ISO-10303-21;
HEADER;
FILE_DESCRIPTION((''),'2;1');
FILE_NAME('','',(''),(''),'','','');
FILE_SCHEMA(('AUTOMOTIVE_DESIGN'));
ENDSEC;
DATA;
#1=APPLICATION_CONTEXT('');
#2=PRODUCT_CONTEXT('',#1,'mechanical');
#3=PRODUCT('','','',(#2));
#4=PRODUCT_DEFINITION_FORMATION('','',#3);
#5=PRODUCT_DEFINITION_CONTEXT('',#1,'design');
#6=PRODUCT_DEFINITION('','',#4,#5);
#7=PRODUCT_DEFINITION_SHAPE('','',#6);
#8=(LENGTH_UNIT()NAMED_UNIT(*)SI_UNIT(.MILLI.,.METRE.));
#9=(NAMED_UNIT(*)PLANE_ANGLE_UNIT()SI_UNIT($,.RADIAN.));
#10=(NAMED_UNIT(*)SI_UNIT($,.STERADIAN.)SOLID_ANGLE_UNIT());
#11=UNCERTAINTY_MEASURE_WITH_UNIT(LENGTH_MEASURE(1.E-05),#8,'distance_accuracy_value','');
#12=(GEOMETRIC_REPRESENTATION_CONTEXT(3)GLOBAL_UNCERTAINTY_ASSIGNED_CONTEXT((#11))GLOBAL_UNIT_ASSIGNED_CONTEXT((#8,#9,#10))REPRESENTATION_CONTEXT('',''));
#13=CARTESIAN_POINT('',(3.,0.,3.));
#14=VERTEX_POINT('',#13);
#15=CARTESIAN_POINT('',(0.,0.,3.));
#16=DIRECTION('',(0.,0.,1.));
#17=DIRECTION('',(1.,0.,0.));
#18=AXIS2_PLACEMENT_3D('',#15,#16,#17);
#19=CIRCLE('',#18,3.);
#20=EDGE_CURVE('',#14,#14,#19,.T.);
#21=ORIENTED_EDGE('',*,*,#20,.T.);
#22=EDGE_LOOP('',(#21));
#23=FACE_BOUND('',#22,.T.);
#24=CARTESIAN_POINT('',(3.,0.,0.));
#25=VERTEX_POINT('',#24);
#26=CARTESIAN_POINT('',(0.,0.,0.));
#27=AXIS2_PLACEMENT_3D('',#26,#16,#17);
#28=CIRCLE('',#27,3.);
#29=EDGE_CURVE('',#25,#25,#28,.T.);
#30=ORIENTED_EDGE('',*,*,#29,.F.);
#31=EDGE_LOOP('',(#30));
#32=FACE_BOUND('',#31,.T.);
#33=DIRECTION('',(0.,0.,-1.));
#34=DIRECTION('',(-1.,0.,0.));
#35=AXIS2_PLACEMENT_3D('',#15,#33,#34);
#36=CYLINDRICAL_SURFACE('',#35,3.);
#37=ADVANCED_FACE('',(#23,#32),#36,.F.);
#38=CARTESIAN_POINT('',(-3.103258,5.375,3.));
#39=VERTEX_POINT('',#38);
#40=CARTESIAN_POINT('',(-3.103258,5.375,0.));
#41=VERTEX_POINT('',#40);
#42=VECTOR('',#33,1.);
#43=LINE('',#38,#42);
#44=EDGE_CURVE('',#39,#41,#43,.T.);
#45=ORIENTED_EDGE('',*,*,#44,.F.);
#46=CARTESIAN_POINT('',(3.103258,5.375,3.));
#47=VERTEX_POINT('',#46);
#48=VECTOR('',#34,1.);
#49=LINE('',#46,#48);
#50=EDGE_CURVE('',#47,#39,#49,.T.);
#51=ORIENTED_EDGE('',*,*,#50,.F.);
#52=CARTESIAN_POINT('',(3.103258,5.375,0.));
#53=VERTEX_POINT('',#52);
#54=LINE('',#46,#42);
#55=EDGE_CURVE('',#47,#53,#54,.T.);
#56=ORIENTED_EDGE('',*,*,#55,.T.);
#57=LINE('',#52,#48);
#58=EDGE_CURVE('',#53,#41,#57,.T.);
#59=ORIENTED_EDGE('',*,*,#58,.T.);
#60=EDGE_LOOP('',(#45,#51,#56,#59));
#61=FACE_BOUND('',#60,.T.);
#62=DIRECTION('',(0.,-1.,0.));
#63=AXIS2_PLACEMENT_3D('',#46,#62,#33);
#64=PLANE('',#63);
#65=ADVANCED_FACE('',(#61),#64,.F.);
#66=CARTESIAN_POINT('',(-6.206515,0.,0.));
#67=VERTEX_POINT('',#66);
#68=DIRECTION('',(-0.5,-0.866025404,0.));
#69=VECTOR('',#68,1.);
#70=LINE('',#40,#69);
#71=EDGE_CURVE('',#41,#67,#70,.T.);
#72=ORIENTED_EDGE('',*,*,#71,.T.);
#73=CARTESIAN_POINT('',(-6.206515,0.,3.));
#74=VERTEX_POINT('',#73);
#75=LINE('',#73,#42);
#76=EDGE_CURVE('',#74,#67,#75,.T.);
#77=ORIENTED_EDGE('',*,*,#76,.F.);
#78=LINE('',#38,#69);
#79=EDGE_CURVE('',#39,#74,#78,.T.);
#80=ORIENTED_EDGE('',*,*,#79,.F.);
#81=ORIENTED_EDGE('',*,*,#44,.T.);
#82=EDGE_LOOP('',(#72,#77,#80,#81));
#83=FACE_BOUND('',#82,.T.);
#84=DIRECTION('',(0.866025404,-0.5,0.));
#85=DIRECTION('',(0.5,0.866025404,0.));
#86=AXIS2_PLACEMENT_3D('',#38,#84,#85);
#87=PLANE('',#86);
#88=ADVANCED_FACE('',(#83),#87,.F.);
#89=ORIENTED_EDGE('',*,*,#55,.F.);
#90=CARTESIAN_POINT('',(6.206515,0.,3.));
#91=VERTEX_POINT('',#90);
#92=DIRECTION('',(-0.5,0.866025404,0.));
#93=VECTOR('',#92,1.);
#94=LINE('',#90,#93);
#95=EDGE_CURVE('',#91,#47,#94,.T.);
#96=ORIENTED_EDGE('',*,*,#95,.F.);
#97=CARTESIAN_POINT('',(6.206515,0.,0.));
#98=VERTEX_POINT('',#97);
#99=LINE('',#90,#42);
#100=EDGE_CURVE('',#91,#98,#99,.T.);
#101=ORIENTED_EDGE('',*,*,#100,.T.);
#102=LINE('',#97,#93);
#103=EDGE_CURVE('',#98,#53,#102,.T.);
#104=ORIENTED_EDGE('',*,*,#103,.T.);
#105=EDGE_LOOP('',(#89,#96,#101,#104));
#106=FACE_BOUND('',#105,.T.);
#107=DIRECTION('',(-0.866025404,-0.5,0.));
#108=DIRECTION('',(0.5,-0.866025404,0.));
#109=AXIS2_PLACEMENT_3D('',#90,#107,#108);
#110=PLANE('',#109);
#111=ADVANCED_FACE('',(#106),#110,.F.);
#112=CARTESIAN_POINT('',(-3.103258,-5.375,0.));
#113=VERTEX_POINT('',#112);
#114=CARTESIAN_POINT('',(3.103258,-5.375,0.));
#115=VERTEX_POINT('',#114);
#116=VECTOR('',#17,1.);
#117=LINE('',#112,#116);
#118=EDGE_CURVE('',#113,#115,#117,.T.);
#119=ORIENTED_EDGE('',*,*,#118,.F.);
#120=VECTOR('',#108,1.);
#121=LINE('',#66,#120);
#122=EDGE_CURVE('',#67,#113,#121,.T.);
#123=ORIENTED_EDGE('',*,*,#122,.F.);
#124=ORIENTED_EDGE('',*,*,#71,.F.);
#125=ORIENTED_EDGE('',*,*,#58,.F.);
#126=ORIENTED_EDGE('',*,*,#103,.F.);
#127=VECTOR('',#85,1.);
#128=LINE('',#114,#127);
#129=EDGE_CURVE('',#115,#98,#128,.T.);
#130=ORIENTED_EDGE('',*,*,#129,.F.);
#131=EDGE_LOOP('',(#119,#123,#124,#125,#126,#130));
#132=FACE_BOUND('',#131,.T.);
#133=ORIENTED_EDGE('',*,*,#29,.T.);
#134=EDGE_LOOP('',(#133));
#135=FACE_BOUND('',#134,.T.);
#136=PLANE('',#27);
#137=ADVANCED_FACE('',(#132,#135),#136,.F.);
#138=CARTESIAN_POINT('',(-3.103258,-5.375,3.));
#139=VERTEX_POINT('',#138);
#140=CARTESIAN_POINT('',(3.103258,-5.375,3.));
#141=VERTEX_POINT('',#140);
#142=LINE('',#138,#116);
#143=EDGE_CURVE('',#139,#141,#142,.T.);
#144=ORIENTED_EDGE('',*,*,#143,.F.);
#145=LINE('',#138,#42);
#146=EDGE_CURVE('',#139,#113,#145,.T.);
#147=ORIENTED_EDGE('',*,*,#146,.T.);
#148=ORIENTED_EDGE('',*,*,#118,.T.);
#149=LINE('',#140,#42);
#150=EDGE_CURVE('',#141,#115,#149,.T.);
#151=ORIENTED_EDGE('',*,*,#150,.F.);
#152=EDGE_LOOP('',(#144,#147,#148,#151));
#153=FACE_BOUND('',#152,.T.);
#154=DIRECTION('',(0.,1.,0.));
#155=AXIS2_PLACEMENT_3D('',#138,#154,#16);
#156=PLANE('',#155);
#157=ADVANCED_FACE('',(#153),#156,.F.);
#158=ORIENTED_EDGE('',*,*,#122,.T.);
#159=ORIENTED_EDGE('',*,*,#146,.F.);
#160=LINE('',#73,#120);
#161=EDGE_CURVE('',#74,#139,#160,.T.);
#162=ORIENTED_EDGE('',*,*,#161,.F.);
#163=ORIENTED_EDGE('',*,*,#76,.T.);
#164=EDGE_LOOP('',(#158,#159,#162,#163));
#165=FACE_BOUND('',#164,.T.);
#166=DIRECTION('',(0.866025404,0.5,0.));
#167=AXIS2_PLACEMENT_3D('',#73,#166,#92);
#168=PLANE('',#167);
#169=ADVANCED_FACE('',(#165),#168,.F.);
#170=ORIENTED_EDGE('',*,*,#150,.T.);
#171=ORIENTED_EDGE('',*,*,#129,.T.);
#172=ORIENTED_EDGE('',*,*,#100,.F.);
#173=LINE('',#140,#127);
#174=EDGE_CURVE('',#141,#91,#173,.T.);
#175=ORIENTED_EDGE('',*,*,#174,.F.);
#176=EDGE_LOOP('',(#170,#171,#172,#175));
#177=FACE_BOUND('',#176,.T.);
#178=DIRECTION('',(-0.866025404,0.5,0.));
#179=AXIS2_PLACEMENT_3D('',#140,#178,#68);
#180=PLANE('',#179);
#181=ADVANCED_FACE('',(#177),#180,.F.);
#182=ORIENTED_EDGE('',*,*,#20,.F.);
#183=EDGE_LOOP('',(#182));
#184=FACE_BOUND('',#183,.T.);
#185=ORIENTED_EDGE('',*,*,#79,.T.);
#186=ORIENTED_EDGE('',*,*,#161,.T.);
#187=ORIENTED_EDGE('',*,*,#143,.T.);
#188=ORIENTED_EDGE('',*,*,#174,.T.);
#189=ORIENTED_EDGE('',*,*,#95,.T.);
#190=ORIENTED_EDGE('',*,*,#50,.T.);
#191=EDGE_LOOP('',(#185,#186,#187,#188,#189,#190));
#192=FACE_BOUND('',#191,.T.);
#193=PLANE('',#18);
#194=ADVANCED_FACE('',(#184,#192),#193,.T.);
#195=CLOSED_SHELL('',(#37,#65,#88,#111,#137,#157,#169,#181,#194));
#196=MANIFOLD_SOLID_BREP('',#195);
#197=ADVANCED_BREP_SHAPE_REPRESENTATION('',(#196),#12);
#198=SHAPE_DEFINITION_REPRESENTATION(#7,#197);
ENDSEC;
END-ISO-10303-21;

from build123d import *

# Parameters (mm, degrees)
ESQUISSE1_R        = 3
BOSS_EXTRU_1_DEPTH = 3


with BuildPart() as part:
    # Esquisse1 → Boss.-Extru.1 (new body)
    with BuildSketch(Plane.XY):
        Polygon((6.206515394, 0), (3.103257697, 5.375), (-3.103257697, 5.375), (-6.206515394, 0), (-3.103257697, -5.375), (3.103257697, -5.375), align=None)
        Circle(ESQUISSE1_R, mode=Mode.SUBTRACT)
    extrude(amount=BOSS_EXTRU_1_DEPTH)


solid = part.part
